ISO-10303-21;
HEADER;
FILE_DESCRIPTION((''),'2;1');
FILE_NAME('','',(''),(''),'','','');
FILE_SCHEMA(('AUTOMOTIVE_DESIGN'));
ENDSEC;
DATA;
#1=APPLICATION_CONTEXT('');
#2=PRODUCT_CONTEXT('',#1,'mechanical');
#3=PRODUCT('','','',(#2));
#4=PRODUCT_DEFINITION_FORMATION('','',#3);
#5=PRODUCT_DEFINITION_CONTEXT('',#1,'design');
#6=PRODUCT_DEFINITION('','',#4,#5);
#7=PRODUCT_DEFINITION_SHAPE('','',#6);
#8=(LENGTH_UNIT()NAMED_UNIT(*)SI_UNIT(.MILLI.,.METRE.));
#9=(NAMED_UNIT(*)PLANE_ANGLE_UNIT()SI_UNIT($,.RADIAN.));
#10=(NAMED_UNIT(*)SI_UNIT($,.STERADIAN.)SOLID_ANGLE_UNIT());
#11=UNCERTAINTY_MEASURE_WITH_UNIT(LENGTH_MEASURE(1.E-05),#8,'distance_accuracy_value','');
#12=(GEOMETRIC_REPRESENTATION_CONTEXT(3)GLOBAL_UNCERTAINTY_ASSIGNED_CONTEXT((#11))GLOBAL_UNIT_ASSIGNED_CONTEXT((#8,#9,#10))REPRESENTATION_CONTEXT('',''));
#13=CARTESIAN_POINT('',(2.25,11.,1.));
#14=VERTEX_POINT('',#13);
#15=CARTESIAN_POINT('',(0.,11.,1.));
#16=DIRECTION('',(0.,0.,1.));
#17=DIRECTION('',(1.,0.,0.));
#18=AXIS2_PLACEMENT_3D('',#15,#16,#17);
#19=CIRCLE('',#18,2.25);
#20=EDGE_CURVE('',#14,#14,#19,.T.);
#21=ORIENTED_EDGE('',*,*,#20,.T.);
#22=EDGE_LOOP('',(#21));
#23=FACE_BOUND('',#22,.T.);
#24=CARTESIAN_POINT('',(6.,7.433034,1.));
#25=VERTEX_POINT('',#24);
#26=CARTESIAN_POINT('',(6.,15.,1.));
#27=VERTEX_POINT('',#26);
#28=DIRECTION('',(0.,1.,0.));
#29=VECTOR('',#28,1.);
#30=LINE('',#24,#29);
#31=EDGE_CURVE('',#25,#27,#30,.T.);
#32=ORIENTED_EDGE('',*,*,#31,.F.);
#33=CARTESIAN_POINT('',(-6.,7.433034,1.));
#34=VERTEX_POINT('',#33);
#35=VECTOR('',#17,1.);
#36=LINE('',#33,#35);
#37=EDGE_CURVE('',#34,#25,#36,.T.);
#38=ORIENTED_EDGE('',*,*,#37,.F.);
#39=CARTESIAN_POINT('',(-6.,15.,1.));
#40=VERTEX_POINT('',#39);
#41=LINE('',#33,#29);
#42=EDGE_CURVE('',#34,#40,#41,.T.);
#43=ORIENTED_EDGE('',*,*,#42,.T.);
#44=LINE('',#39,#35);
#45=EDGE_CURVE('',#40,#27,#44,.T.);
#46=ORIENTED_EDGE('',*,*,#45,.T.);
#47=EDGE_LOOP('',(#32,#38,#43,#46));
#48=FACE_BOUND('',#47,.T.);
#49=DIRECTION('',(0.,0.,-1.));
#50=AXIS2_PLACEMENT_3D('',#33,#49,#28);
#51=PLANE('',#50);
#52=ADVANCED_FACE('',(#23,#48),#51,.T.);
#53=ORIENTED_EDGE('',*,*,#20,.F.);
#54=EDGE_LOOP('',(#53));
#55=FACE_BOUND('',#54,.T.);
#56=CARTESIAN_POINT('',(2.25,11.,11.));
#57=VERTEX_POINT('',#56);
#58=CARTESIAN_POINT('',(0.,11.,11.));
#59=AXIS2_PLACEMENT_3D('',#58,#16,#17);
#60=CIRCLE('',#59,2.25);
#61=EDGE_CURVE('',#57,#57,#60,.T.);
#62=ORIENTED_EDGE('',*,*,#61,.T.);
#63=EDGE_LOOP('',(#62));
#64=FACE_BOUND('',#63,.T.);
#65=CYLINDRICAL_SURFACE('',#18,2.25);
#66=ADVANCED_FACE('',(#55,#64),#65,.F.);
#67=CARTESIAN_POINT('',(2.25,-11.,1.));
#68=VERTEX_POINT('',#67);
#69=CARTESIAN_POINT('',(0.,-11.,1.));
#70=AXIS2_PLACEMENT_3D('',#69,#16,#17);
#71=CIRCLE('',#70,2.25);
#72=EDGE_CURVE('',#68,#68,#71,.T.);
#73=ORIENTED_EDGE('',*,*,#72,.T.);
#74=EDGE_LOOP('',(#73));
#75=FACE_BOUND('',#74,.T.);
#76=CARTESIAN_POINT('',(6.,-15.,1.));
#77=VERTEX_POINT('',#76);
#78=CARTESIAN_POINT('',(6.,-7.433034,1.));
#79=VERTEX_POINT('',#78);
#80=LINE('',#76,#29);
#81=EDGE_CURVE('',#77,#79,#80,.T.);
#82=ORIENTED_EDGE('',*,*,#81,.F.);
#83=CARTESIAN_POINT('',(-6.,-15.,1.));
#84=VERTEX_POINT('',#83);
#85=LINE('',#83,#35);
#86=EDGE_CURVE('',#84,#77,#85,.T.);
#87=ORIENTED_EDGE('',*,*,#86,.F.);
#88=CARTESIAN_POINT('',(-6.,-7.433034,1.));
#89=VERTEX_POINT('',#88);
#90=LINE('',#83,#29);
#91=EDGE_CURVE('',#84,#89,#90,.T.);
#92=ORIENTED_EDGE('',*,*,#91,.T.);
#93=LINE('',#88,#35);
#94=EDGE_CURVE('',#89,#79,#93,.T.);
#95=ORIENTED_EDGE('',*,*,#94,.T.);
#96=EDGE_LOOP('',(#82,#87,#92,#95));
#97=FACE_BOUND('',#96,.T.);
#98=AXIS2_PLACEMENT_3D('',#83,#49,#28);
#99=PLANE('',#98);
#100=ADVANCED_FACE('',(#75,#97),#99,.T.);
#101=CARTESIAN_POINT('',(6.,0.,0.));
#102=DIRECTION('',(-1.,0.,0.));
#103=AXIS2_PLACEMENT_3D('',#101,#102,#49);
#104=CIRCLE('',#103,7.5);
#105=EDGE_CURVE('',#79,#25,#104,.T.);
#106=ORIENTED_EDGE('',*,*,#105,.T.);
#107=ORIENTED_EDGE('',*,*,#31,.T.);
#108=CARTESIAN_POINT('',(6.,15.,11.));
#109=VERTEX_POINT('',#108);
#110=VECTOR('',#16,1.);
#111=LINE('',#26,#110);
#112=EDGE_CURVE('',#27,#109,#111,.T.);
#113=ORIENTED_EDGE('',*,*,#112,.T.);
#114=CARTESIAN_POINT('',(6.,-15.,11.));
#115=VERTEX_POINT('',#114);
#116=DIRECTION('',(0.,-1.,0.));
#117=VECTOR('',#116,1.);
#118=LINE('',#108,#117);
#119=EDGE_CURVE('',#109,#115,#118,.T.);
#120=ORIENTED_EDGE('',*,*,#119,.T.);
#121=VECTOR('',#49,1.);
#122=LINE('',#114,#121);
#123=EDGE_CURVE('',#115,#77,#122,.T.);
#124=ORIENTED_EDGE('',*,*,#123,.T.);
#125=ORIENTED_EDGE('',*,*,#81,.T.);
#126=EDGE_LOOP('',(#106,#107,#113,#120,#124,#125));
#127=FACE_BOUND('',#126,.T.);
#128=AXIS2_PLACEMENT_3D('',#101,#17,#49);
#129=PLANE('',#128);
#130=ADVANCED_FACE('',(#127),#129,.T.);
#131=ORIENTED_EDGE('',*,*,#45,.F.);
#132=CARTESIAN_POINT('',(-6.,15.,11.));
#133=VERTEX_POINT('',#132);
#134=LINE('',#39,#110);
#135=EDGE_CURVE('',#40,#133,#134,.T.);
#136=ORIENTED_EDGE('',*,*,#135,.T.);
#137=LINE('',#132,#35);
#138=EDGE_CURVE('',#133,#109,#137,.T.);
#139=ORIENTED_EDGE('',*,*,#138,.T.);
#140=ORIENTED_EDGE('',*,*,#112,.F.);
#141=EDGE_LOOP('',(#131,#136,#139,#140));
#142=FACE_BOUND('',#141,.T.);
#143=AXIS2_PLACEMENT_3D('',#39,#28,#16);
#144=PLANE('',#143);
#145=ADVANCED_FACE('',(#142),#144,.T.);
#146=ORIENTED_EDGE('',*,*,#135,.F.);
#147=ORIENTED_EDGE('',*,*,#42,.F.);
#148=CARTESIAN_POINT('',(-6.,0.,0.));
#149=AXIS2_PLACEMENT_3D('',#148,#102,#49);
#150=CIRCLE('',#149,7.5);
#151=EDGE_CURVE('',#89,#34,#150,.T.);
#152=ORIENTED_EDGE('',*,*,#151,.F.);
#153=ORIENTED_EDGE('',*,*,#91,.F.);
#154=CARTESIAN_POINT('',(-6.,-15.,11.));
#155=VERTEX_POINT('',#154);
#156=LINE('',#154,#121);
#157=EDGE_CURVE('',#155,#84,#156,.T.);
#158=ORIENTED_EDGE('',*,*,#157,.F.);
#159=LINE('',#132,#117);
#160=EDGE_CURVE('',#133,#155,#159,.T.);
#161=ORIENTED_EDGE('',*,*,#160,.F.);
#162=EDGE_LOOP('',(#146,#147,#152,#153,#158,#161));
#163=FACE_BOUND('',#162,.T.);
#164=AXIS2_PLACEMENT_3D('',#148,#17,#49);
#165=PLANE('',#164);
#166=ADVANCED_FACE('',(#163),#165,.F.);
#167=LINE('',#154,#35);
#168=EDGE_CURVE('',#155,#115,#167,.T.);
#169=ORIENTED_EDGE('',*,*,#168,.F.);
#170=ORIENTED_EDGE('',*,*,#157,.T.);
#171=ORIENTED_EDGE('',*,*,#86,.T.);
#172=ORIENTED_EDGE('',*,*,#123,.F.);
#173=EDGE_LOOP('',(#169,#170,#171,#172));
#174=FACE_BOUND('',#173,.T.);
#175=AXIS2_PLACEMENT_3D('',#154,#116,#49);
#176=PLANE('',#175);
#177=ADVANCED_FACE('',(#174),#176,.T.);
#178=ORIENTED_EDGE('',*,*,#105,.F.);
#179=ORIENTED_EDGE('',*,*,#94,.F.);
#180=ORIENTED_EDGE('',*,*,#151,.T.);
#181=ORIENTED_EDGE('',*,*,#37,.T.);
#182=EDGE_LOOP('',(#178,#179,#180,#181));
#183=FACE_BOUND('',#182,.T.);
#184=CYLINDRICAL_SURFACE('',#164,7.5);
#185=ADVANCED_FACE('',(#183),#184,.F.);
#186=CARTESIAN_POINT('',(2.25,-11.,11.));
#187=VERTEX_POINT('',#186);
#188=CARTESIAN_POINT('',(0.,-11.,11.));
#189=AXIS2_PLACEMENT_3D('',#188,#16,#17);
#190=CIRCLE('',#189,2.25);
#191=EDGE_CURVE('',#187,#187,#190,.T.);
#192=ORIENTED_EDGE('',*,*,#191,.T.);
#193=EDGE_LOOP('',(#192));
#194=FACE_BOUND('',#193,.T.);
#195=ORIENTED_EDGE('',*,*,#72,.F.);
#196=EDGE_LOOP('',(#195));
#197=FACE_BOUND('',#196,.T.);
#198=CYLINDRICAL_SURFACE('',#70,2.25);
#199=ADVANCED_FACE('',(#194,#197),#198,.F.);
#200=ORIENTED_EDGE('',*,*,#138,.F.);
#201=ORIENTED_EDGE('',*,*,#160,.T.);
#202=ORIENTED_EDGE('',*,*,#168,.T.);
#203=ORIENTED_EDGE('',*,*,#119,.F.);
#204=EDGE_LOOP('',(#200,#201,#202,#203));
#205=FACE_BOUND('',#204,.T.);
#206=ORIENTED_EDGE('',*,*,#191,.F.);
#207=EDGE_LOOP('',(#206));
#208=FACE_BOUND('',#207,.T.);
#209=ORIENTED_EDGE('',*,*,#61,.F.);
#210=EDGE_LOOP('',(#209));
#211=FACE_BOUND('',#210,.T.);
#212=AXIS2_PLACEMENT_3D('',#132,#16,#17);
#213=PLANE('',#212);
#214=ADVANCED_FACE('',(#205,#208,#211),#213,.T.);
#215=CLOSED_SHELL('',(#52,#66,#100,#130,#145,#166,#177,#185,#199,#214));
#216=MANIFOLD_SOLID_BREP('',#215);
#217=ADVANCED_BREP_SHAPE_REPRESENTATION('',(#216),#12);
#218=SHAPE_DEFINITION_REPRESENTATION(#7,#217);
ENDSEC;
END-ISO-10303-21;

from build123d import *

# Parameters (mm, degrees)
BOSS_EXTRUDE1_DEPTH = 6
SKETCH2_R           = 2.25
CUT_EXTRUDE1_DEPTH  = 20


with BuildPart() as part:
    # Sketch1 → Boss-Extrude1 (new, symmetric)
    with BuildSketch(Plane(origin=(0, 0, 0), x_dir=(0, 0, -1), z_dir=(1, 0, 0))):
        with BuildLine():
            Line((-1, 7.433034374), (-1, 15))
            Line((-1, 15), (-11, 15))
            Line((-11, 15), (-11, -15))
            Line((-11, -15), (-1, -15))
            Line((-1, -15), (-1, -7.433034374))
            ThreePointArc((-1, -7.433034374), (-7.5, 0), (-1, 7.433034374))
        make_face()
    extrude(amount=BOSS_EXTRUDE1_DEPTH, both=True)

    # Sketch2 → Cut-Extrude1 (cut, through all)
    with BuildSketch(Plane.XY.offset(11)):
        with Locations((0, 11)):
            Circle(SKETCH2_R)
        with Locations((0, -11)):
            Circle(SKETCH2_R)
    extrude(amount=-CUT_EXTRUDE1_DEPTH, mode=Mode.SUBTRACT)


solid = part.part
